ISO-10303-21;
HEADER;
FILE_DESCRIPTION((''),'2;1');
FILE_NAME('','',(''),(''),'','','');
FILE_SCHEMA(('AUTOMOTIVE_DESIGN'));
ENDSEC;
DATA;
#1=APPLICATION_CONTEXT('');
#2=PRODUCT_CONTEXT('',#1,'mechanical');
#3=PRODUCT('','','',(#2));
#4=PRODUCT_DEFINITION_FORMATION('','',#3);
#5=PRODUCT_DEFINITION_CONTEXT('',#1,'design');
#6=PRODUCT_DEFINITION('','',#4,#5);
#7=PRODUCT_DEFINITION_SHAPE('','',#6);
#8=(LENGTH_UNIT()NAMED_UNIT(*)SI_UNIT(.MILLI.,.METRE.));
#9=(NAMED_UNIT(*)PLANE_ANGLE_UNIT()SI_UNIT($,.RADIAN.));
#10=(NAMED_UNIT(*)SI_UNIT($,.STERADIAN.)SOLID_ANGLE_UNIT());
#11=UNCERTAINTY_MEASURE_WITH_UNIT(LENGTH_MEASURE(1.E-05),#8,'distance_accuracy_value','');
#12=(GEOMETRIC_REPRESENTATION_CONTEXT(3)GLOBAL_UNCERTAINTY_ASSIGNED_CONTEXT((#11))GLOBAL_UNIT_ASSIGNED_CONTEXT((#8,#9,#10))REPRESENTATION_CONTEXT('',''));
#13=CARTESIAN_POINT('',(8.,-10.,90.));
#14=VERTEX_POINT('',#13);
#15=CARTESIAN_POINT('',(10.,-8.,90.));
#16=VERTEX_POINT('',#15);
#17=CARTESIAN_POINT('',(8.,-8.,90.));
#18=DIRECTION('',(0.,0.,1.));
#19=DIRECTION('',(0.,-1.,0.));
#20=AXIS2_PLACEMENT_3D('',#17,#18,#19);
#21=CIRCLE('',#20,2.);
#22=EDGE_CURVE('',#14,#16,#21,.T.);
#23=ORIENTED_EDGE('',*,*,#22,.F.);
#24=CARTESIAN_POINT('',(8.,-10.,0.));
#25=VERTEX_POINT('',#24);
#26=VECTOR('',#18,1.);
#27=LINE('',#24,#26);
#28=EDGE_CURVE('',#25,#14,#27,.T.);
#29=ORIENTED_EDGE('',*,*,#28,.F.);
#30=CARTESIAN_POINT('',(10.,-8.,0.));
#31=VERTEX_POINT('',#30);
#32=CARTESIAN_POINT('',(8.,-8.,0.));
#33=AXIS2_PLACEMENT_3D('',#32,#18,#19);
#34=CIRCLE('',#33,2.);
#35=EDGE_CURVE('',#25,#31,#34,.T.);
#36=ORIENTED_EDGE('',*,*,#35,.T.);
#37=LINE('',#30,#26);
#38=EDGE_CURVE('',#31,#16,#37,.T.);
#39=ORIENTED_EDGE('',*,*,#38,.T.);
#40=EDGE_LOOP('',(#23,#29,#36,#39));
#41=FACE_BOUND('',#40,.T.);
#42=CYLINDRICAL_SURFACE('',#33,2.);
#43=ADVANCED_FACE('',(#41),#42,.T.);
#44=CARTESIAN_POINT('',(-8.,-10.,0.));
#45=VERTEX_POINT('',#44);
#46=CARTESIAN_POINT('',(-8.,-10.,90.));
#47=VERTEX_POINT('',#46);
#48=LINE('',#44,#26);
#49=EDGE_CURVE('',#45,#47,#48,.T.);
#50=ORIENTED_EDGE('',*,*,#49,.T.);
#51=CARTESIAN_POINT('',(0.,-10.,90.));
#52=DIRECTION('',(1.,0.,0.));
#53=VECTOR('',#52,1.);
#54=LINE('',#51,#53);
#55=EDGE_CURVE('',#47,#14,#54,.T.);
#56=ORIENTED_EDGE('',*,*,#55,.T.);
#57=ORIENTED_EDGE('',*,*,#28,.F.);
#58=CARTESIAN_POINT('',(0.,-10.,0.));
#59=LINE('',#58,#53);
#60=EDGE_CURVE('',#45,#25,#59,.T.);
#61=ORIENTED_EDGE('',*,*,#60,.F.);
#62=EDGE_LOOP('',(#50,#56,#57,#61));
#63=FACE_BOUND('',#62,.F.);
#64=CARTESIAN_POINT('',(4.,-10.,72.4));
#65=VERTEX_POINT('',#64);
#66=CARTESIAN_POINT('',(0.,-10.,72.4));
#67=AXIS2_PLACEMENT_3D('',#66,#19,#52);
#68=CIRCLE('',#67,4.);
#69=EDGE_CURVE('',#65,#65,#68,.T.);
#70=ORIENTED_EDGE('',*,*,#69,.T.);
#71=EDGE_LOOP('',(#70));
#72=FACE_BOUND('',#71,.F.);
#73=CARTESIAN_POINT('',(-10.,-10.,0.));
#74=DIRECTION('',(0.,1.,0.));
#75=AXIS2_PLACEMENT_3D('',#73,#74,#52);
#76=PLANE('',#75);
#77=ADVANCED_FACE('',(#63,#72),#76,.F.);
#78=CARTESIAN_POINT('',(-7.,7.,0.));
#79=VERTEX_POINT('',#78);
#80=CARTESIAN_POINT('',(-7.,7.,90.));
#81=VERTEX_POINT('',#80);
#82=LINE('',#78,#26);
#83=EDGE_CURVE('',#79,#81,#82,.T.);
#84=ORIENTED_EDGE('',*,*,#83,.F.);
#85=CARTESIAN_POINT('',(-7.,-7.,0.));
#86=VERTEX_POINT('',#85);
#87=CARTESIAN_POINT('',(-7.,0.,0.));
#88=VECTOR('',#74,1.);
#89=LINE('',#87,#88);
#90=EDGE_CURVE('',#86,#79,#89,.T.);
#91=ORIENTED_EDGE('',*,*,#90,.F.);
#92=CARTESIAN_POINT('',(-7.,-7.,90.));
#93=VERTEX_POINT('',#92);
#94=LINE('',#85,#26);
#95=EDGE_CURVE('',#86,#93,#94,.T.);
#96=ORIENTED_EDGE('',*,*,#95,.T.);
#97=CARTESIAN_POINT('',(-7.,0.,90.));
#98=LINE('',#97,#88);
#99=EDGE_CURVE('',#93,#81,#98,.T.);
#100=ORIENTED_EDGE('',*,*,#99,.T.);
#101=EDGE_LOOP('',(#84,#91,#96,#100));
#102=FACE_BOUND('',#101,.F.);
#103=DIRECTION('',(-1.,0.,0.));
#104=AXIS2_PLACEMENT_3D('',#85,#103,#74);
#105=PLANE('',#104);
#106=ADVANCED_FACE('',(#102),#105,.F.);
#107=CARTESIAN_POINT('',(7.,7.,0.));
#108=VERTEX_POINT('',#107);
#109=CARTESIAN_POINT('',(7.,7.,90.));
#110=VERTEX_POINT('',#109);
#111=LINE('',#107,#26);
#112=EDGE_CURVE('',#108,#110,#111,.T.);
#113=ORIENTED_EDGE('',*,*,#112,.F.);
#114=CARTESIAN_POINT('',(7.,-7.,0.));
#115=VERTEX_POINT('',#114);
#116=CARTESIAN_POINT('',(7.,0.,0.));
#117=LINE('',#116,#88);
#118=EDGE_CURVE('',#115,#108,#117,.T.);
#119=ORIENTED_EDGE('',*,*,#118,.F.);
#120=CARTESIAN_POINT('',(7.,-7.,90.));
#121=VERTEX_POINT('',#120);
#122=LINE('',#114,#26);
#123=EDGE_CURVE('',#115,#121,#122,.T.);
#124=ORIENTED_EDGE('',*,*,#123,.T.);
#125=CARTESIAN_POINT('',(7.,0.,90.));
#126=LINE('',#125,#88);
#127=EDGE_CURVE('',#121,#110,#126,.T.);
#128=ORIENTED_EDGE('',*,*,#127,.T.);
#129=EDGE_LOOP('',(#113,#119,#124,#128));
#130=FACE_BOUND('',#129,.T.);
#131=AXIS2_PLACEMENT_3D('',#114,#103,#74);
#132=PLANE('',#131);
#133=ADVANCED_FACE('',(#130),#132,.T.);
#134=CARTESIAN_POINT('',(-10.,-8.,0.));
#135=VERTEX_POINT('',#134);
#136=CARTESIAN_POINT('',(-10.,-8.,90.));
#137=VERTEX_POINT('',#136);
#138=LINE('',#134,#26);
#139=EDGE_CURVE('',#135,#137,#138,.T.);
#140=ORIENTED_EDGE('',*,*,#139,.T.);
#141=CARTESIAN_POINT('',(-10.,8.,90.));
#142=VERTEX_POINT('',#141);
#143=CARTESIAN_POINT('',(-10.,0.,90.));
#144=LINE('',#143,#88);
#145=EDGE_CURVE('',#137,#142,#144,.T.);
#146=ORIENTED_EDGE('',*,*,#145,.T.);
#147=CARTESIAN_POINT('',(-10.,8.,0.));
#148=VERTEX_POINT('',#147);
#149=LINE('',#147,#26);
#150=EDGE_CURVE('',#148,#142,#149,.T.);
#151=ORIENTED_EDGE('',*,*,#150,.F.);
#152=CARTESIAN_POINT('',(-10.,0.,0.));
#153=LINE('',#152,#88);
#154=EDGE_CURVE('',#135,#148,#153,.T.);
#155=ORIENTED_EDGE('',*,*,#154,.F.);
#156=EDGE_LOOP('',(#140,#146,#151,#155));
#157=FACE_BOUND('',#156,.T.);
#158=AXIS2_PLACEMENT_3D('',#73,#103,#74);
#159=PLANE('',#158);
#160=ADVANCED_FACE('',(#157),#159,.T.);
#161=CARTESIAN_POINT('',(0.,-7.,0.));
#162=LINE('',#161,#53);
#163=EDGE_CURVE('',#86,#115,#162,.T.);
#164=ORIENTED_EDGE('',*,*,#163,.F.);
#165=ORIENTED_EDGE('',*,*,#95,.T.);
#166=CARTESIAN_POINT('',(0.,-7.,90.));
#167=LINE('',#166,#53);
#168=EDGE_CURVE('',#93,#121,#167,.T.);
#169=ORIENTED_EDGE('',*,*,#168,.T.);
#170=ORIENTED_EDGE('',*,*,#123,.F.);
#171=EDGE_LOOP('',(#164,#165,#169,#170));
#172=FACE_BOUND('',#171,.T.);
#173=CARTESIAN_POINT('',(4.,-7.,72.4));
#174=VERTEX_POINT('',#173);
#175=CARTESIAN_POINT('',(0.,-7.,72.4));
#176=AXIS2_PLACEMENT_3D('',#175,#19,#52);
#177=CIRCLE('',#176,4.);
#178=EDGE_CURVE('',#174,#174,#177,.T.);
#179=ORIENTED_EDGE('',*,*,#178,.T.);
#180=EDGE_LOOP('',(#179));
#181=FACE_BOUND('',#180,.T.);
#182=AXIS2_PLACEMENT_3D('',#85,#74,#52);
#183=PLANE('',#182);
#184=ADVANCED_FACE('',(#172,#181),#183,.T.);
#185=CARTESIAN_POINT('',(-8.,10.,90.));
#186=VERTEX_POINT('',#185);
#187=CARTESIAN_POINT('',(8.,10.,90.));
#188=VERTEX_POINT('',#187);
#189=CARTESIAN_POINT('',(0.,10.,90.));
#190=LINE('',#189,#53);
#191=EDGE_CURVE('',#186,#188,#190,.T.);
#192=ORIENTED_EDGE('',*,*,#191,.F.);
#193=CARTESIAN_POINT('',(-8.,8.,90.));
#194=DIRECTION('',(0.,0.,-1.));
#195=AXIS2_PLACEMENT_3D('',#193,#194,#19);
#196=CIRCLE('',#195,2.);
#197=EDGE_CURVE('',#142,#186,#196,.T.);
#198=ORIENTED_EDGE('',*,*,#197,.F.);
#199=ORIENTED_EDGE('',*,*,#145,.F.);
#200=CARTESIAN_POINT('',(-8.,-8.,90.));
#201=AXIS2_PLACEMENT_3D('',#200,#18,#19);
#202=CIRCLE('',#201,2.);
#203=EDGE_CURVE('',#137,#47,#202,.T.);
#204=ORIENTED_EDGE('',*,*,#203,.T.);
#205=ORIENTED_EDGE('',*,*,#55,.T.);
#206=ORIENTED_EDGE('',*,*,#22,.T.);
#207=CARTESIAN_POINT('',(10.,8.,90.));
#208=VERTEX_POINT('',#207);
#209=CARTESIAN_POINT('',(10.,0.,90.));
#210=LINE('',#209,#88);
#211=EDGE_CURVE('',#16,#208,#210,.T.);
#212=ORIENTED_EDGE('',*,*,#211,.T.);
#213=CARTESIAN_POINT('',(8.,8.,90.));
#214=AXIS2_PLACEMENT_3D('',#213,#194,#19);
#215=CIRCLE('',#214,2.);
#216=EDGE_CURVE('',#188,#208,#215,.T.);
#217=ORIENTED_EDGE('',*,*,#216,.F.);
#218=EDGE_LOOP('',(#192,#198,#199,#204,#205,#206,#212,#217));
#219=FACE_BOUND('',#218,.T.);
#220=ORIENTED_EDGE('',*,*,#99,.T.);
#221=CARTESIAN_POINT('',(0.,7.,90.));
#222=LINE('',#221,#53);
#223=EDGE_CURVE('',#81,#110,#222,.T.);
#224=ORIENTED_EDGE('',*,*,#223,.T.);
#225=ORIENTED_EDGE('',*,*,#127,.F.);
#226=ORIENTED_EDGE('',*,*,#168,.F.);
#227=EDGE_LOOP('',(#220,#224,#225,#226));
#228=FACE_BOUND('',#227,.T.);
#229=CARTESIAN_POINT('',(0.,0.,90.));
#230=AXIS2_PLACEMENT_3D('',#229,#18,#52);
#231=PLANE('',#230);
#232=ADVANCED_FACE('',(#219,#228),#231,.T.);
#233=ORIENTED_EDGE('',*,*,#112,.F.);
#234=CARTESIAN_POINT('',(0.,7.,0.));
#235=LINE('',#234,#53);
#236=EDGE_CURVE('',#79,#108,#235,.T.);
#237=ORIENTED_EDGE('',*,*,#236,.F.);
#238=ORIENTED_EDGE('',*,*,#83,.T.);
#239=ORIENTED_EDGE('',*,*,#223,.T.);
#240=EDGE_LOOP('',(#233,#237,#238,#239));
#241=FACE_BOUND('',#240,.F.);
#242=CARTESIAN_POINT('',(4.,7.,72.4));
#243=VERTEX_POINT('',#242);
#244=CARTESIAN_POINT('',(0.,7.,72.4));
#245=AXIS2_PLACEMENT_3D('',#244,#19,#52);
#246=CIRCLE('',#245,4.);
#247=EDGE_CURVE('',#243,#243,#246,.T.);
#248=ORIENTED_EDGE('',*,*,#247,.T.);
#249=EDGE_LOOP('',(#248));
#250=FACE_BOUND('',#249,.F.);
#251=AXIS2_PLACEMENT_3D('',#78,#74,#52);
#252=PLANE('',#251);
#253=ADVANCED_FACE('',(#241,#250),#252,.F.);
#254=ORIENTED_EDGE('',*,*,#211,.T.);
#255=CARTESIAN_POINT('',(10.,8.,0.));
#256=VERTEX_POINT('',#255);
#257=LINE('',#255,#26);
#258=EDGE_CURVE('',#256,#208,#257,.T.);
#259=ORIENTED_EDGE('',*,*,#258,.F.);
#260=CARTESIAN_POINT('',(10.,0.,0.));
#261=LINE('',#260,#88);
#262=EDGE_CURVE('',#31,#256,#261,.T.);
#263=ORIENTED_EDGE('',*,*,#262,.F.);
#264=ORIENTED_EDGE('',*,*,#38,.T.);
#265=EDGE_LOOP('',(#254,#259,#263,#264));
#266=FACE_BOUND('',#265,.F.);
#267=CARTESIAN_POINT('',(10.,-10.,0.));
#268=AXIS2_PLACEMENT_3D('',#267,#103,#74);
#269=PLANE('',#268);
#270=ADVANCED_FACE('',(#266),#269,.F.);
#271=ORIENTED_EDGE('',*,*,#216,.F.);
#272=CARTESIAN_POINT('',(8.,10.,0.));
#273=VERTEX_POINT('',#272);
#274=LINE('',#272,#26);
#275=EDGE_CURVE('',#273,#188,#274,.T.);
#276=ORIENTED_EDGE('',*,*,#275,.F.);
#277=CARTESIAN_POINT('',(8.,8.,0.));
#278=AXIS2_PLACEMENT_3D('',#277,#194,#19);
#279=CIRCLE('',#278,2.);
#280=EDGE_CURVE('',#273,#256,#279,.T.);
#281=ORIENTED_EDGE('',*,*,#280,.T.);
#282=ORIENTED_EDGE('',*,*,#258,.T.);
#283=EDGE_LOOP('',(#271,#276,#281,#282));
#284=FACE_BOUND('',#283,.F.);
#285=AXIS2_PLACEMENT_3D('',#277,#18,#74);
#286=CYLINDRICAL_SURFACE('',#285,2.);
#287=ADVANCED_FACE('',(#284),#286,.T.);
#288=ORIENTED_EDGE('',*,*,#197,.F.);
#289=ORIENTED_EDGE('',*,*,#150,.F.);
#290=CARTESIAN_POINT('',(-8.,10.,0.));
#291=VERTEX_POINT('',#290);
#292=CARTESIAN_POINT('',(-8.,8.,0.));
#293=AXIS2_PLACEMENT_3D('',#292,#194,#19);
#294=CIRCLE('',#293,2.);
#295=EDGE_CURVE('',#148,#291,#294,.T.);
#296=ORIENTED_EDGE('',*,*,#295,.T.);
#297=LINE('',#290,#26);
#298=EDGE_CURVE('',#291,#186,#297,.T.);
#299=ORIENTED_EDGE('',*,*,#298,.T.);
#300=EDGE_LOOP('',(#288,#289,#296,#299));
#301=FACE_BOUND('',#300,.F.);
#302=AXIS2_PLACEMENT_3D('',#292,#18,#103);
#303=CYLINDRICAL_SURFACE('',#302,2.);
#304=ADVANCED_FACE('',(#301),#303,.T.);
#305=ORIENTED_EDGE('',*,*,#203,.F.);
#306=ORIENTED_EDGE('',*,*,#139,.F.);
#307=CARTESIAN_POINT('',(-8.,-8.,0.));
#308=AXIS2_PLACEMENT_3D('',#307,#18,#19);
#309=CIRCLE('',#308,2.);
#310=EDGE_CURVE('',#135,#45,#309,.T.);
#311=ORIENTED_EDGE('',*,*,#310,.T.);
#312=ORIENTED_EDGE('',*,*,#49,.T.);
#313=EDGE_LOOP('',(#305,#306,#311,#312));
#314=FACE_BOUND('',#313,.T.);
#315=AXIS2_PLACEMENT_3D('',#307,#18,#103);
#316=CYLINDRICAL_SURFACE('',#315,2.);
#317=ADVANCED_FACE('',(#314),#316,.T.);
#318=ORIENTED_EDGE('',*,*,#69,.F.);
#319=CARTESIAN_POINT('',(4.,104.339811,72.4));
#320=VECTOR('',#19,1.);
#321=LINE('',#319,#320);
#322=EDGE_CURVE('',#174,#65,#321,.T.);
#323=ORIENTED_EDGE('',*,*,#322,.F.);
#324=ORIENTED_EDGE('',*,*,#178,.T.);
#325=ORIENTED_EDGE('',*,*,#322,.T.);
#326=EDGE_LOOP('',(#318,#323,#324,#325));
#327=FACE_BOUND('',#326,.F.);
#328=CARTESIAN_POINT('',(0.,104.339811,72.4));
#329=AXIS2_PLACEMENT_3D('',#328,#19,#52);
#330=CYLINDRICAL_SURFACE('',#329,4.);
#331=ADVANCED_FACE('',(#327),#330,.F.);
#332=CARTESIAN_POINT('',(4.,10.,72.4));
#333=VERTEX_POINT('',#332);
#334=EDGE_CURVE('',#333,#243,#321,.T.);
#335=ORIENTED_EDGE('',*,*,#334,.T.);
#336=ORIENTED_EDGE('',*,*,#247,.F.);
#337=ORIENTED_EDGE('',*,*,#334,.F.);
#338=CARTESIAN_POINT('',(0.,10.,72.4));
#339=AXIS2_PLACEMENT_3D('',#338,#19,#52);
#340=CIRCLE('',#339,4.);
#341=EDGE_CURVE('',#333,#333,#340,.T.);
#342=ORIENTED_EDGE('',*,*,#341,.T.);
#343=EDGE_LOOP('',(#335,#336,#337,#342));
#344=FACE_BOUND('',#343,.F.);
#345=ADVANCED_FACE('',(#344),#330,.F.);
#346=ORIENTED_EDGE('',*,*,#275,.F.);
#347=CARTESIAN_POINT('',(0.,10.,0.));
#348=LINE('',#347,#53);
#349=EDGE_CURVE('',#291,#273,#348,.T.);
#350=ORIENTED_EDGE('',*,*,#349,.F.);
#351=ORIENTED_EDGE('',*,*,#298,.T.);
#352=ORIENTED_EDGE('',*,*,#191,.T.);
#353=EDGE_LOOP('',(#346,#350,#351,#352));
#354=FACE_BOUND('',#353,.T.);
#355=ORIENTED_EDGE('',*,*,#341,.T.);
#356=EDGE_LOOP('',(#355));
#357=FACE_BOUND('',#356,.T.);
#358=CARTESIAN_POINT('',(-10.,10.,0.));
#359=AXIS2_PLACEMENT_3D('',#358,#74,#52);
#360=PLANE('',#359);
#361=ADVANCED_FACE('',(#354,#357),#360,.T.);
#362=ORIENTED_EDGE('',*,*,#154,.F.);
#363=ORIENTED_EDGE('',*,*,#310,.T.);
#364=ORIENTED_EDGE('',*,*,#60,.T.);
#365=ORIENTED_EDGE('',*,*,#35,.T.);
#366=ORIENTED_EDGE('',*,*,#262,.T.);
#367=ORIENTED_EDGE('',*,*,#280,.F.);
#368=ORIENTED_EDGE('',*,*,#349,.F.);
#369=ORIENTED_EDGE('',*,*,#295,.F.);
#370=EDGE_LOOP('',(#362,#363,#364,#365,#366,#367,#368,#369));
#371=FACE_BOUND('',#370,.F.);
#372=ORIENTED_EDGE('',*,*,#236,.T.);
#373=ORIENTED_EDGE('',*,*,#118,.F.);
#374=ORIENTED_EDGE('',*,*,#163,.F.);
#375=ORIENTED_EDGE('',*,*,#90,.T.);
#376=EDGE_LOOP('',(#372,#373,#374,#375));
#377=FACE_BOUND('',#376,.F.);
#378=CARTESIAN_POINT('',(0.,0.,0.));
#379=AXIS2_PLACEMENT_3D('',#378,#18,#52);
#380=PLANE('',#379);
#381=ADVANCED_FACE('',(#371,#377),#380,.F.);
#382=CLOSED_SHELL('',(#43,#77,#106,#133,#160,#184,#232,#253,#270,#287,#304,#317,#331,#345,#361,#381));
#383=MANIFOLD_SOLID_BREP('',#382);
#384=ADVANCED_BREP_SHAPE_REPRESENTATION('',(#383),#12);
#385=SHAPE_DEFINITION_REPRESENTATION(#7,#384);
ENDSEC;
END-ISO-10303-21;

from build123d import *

# Parameters (mm, degrees)
F0_W     = 20
F0_H     = 20
F0_W_2   = 14
F0_H_2   = 14
F1_DEPTH = 90
F2_R     = 2
F4_D     = 8


with BuildPart() as f1:
    # F0 (on Top) → F1 (new body)
    with BuildSketch(Plane.XY):
        Rectangle(F0_W, F0_H)
        Rectangle(F0_W_2, F0_H_2, mode=Mode.SUBTRACT)
    extrude(amount=F1_DEPTH)

    # F2
    f2_edges = [f1.edges().sort_by_distance(p)[0] for p in [
        (10, -10, 45),
        (10, 10, 45),
        (-10, -10, 45),
        (-10, 10, 45),
    ]]
    fillet(f2_edges, radius=F2_R)

    # F4 (through all)
    with Locations(Plane(origin=(0, 10, 0), x_dir=(-1, 0, 0), z_dir=(0, 1, 0))):
        with Locations((0, 72.4)):
            Hole(F4_D / 2)


solid = f1.part
